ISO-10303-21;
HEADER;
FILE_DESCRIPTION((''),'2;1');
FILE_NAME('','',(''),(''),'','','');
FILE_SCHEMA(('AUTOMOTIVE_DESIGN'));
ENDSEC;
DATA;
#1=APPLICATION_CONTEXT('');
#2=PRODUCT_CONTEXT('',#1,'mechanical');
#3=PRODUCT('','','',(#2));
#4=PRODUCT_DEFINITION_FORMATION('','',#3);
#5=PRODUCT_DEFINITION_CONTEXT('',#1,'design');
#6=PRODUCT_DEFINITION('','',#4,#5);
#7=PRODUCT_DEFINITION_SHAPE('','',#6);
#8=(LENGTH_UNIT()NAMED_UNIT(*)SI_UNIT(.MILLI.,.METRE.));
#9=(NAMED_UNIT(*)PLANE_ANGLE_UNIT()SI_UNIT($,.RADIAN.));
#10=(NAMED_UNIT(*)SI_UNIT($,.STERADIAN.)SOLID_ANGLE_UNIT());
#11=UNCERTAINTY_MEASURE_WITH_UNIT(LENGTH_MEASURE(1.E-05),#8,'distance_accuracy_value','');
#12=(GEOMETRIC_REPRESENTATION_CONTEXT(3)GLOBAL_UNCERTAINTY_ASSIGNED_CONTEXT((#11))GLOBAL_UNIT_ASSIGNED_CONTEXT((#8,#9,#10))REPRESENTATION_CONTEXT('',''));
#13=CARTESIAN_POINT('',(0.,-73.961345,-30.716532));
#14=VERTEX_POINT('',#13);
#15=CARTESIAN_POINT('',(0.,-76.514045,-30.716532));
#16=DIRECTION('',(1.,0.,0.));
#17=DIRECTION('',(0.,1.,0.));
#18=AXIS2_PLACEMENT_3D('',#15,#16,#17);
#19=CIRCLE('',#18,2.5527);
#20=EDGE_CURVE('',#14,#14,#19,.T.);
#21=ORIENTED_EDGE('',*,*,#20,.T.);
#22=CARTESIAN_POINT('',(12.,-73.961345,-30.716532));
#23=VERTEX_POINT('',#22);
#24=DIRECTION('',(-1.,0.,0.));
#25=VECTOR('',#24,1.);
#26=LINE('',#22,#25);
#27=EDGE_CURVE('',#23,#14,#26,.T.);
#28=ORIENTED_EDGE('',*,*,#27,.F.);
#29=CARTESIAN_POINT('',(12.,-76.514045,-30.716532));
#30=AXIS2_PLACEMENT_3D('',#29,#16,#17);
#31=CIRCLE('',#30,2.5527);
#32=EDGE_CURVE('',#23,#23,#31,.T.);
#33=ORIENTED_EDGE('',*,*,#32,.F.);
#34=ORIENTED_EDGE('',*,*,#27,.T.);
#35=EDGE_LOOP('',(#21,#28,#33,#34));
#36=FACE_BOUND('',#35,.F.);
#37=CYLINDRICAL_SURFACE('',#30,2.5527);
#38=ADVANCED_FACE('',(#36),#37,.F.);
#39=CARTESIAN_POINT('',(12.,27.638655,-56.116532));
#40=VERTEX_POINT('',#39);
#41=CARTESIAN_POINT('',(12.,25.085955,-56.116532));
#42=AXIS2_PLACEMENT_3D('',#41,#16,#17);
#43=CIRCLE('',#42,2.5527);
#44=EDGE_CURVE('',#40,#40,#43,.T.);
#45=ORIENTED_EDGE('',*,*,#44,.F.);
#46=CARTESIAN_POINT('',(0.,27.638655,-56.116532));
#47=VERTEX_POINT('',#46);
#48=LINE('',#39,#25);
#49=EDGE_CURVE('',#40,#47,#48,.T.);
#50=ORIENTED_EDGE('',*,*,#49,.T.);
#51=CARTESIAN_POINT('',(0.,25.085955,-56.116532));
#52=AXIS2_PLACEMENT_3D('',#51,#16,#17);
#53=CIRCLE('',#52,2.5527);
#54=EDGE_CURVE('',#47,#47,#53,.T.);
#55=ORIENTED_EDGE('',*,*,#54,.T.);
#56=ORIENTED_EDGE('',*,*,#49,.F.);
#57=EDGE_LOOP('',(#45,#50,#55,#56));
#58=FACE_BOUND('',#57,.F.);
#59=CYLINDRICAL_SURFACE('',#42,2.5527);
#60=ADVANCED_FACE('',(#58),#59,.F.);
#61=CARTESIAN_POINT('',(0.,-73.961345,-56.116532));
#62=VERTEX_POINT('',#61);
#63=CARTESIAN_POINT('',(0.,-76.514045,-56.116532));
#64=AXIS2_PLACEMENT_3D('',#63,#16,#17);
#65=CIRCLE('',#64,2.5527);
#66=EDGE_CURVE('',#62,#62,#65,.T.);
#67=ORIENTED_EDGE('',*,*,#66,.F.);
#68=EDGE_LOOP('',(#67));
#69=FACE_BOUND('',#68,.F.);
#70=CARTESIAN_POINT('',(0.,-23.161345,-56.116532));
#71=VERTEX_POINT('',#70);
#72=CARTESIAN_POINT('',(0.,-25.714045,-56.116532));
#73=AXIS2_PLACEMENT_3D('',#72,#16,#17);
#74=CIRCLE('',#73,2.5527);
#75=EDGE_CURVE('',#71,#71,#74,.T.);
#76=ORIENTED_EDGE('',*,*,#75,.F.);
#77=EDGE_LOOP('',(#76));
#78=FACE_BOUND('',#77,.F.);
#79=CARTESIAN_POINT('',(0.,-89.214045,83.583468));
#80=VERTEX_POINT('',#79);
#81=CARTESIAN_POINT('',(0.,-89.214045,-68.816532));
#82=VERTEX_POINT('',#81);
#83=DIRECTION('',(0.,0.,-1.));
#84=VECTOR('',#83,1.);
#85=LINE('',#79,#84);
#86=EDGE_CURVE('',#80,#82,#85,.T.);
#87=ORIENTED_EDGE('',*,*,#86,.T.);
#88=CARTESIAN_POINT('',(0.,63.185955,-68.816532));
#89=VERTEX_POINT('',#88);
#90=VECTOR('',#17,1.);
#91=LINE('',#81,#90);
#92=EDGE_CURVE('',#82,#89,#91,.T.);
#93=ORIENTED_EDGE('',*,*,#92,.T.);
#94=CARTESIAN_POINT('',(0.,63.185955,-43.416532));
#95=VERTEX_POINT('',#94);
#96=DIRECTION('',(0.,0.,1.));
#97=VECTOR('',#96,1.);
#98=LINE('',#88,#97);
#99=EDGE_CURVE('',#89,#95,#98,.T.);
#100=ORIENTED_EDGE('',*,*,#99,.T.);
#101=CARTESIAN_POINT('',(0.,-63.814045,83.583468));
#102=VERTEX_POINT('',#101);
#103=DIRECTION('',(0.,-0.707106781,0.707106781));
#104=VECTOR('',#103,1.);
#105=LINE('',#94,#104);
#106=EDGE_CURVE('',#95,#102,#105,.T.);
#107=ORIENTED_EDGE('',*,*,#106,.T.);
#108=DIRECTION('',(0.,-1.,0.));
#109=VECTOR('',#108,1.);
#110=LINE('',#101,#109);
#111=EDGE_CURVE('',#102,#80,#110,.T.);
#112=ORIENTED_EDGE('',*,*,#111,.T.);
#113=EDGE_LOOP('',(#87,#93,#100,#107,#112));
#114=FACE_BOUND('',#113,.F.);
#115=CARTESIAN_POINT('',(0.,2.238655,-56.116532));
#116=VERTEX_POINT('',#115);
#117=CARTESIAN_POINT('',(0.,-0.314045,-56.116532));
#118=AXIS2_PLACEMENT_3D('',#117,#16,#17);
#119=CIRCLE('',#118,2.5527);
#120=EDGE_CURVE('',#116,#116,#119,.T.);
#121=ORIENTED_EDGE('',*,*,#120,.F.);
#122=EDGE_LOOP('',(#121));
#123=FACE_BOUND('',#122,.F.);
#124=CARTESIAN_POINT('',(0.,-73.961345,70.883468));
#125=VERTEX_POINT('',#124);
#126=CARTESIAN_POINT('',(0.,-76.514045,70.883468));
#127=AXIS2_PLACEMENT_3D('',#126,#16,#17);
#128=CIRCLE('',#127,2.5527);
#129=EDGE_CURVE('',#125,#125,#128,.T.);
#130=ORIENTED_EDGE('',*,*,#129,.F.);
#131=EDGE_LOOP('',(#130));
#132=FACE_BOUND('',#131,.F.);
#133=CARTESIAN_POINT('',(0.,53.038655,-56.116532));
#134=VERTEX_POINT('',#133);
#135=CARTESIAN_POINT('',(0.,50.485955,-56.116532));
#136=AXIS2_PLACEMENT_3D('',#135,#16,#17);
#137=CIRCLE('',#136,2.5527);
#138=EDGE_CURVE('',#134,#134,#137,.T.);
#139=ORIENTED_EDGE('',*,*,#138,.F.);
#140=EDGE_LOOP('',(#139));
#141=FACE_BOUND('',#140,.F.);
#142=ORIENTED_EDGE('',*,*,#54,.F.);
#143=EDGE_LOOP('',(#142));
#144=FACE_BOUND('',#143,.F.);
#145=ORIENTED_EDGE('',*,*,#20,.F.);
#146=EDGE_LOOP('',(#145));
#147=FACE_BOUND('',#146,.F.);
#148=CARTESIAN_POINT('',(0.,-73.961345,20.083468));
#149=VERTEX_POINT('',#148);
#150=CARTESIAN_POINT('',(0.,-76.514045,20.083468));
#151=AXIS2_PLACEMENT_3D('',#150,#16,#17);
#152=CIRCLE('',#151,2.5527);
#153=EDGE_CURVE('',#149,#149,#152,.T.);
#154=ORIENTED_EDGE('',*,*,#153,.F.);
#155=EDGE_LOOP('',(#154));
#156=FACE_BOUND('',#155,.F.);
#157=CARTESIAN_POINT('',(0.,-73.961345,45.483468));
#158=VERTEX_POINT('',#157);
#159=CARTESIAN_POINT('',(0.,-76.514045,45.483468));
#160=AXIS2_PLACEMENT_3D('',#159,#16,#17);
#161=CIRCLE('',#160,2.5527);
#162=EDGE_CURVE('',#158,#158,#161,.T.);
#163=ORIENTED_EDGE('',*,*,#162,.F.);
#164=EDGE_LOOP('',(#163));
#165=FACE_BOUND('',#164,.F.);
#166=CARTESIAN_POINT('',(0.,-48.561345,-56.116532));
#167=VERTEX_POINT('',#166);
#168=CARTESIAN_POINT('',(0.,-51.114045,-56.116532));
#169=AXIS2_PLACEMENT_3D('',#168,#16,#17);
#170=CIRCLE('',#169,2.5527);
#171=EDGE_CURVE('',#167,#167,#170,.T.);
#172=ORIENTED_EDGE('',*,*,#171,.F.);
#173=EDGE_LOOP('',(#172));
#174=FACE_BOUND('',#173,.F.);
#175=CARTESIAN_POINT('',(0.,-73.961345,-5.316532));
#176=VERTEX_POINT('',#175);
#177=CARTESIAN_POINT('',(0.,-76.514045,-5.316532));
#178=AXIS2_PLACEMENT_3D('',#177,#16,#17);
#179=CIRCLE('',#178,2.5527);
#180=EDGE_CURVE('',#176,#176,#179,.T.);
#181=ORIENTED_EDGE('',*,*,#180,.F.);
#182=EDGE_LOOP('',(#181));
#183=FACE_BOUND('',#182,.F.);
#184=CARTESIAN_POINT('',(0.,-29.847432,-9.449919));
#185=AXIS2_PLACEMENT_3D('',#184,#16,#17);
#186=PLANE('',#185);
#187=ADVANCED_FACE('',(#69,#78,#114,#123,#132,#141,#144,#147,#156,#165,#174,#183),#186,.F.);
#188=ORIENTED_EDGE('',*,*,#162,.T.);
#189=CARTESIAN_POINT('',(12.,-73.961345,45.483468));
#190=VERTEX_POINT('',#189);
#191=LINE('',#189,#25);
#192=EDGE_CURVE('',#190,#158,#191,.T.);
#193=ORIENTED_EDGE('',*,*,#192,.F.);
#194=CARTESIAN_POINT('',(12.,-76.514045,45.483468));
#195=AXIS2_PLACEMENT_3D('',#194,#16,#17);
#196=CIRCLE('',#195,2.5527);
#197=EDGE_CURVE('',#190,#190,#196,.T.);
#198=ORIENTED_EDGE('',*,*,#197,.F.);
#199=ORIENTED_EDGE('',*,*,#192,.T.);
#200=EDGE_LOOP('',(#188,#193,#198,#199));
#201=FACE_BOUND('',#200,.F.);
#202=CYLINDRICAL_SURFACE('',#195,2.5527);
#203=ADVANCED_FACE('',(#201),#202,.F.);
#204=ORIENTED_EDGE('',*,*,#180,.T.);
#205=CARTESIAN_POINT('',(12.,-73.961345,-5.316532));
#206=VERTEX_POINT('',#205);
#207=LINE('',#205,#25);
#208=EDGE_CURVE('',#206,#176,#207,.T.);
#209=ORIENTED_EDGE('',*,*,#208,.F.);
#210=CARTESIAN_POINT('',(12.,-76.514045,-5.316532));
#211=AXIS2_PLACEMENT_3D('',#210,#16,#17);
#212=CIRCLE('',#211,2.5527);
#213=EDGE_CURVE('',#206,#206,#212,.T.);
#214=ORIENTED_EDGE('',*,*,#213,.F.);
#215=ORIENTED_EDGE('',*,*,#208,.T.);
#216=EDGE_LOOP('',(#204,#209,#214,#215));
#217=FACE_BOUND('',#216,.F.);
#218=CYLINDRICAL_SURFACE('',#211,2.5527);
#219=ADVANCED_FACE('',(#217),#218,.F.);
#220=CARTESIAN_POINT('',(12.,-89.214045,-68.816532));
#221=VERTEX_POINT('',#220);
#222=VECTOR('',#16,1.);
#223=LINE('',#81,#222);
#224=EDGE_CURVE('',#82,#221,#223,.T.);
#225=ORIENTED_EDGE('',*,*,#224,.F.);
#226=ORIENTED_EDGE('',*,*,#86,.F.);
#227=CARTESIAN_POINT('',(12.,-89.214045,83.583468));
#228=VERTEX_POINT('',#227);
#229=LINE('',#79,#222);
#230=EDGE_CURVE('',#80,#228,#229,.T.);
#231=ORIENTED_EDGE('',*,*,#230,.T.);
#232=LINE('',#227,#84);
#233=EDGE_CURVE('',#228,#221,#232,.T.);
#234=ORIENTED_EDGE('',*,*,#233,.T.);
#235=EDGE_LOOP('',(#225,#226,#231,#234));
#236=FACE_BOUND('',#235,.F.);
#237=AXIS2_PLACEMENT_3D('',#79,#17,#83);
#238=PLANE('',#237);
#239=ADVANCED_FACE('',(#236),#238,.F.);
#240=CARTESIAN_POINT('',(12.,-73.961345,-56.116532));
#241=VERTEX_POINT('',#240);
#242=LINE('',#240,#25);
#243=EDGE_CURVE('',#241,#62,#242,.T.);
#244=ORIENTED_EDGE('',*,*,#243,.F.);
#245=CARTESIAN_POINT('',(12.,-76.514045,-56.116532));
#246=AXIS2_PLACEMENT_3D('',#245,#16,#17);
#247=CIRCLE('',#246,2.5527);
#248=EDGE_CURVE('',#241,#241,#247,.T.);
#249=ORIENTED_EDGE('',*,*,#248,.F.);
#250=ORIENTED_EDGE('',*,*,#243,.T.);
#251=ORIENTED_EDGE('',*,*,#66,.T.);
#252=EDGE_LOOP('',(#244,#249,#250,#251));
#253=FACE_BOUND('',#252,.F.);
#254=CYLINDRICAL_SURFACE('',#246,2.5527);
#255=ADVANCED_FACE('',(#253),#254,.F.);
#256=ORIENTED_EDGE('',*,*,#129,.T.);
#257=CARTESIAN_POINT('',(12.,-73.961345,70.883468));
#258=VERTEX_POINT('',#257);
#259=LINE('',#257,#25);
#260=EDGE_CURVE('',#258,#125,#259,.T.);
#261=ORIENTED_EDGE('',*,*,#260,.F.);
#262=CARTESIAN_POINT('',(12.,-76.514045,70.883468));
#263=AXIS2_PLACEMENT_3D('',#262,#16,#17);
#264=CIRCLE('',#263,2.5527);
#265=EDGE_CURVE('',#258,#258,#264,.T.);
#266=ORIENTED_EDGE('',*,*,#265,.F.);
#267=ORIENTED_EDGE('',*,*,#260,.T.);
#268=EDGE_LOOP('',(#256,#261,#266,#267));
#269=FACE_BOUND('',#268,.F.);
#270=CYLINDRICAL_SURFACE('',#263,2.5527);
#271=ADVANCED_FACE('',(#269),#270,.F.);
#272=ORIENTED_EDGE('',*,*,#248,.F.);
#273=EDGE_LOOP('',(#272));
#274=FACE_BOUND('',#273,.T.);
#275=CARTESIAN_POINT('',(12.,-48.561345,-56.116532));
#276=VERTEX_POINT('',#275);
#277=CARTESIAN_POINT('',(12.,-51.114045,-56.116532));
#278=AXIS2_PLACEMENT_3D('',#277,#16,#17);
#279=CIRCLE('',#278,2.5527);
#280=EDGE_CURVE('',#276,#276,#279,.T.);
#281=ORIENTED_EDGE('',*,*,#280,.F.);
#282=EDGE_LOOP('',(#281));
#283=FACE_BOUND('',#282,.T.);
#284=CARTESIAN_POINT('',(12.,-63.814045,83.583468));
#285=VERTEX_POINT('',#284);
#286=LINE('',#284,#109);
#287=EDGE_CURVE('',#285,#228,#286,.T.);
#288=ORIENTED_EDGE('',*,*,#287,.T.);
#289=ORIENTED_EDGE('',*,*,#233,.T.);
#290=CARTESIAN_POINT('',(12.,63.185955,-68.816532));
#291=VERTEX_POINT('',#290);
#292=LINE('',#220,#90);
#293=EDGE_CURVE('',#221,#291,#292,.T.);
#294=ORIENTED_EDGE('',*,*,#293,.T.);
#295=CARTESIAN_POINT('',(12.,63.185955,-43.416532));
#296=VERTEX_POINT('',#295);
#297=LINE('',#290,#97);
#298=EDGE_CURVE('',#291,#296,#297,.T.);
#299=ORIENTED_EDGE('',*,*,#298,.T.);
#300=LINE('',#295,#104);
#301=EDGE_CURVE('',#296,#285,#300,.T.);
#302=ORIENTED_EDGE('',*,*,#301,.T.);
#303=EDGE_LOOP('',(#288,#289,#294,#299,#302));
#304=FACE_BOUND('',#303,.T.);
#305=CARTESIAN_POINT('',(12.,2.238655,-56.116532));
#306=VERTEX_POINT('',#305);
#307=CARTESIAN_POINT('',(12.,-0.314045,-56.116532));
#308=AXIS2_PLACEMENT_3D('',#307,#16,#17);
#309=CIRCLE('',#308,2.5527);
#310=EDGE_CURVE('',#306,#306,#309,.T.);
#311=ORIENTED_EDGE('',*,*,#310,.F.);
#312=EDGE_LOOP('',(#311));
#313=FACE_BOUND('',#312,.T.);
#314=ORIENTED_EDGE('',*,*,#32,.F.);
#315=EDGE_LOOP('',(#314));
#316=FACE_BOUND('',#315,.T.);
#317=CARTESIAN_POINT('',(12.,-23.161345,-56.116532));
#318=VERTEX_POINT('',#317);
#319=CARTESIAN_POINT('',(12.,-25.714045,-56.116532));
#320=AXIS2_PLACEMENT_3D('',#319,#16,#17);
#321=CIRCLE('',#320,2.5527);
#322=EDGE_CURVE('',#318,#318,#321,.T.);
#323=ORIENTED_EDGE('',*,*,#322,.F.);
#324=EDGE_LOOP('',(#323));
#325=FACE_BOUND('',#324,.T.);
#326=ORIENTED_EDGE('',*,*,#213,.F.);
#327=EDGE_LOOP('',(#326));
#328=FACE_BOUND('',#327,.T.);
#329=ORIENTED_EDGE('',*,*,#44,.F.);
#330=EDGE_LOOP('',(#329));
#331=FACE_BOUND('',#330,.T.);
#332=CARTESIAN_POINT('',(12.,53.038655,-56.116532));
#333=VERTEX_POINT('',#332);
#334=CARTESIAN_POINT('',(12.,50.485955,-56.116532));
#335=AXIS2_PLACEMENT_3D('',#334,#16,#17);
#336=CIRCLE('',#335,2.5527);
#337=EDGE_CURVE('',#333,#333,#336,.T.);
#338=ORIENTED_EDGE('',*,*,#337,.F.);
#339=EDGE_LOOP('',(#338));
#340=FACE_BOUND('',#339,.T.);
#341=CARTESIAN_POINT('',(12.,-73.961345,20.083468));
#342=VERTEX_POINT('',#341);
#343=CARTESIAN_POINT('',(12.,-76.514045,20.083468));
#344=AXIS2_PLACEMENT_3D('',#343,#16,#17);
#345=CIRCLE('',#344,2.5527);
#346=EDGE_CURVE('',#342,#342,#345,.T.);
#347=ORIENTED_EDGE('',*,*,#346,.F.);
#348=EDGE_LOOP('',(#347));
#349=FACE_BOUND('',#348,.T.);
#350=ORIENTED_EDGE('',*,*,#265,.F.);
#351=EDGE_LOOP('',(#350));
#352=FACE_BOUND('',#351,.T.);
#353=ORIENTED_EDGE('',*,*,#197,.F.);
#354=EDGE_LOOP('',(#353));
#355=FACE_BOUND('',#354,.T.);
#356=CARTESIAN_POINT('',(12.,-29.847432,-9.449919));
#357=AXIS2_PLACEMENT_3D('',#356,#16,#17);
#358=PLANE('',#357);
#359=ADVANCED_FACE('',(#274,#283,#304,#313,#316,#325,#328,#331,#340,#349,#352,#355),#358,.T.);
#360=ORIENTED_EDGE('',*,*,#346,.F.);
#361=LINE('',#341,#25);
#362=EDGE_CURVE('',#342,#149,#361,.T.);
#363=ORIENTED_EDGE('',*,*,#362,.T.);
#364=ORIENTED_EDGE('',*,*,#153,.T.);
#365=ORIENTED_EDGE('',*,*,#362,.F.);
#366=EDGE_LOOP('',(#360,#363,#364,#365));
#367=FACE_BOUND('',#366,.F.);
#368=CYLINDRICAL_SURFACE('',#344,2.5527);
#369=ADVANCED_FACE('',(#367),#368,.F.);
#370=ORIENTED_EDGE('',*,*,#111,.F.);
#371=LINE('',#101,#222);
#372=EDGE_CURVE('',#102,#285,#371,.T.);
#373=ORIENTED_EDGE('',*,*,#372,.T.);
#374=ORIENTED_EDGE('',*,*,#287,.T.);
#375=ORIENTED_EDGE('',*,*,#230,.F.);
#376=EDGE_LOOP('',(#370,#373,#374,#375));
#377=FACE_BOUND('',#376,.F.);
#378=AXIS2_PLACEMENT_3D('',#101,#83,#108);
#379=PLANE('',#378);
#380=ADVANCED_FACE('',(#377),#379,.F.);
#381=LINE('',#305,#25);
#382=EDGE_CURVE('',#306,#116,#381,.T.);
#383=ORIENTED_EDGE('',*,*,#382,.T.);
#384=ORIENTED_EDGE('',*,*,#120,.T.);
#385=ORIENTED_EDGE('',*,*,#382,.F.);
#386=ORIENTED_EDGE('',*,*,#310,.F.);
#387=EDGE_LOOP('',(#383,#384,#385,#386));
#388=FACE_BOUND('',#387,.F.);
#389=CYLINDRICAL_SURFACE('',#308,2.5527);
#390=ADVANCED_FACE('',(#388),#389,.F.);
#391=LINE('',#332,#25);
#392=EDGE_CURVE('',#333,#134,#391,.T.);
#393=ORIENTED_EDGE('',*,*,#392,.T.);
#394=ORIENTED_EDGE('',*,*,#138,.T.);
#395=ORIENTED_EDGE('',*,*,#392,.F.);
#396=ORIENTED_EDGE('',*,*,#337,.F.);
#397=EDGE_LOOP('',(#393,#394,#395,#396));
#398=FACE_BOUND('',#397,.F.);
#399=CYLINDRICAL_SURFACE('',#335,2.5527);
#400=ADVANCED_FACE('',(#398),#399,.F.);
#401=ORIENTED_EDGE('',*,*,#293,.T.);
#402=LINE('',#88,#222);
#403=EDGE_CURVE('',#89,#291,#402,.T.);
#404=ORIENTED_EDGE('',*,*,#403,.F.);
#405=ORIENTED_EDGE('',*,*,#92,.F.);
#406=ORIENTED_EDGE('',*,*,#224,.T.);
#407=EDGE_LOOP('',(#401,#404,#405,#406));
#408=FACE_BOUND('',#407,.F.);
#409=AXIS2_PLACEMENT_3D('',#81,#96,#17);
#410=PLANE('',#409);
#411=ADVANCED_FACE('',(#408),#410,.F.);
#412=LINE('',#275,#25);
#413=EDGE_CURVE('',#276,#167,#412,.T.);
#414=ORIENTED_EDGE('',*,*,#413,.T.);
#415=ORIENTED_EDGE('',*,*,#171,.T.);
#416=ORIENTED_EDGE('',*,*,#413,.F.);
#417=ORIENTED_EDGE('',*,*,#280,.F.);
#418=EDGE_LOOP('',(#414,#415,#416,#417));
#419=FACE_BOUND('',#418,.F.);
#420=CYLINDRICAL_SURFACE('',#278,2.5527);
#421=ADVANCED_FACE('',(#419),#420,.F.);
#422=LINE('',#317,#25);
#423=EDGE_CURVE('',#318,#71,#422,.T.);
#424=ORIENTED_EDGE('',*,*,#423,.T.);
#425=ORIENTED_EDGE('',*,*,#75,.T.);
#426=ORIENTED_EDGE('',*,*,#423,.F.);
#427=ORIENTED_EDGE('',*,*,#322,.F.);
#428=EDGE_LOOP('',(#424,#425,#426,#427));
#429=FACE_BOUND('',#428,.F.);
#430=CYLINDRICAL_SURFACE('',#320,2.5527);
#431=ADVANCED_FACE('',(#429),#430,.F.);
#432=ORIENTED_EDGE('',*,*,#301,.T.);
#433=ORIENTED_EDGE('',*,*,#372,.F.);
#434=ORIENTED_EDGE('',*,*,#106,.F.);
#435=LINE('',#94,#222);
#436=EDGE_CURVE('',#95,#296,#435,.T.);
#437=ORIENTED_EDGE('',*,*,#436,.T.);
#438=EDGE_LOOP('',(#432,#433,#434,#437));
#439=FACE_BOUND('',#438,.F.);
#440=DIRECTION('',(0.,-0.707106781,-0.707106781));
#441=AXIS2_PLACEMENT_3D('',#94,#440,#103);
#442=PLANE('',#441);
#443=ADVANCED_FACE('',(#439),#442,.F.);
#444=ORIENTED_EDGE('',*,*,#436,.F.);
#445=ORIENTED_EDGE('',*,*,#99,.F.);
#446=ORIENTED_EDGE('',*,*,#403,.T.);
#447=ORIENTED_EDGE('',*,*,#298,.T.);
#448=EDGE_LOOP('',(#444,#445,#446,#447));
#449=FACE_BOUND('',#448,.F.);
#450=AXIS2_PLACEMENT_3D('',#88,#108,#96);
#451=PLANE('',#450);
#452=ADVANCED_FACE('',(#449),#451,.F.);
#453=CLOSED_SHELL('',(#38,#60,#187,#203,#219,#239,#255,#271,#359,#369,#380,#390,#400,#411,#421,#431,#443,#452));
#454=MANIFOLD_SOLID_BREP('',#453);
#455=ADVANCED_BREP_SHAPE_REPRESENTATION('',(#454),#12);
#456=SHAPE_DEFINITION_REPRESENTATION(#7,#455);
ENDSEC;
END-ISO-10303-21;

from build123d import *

# Parameters (mm, degrees)
F1_DEPTH = 12
F2_R     = 2.5527
F3_DEPTH = 25.4


with BuildPart() as f1:
    # F0 (on Right) → F1 (new body)
    with BuildSketch(Plane.YZ):
        Polygon((-63.814045, 83.583468), (-89.214045, 83.583468), (-89.214045, -68.816532), (63.185955, -68.816532), (63.185955, -43.416532), align=None)
    extrude(amount=F1_DEPTH)

    # F2 (on face) → F3 (cut)
    with BuildSketch(Plane.YZ.offset(12)):
        with Locations((-76.514045, -56.116532)):
            Circle(F2_R)
        with Locations((-76.514045, -30.716532)):
            Circle(F2_R)
        with Locations((-76.514045, -5.316532)):
            Circle(F2_R)
        with Locations((-76.514045, 20.083468)):
            Circle(F2_R)
        with Locations((-76.514045, 45.483468)):
            Circle(F2_R)
        with Locations((-76.514045, 70.883468)):
            Circle(F2_R)
        with Locations((-51.114045, -56.116532)):
            Circle(F2_R)
        with Locations((-25.714045, -56.116532)):
            Circle(F2_R)
        with Locations((-0.314045, -56.116532)):
            Circle(F2_R)
        with Locations((25.085955, -56.116532)):
            Circle(F2_R)
        with Locations((50.485955, -56.116532)):
            Circle(F2_R)
    extrude(amount=-F3_DEPTH, mode=Mode.SUBTRACT)


solid = f1.part
